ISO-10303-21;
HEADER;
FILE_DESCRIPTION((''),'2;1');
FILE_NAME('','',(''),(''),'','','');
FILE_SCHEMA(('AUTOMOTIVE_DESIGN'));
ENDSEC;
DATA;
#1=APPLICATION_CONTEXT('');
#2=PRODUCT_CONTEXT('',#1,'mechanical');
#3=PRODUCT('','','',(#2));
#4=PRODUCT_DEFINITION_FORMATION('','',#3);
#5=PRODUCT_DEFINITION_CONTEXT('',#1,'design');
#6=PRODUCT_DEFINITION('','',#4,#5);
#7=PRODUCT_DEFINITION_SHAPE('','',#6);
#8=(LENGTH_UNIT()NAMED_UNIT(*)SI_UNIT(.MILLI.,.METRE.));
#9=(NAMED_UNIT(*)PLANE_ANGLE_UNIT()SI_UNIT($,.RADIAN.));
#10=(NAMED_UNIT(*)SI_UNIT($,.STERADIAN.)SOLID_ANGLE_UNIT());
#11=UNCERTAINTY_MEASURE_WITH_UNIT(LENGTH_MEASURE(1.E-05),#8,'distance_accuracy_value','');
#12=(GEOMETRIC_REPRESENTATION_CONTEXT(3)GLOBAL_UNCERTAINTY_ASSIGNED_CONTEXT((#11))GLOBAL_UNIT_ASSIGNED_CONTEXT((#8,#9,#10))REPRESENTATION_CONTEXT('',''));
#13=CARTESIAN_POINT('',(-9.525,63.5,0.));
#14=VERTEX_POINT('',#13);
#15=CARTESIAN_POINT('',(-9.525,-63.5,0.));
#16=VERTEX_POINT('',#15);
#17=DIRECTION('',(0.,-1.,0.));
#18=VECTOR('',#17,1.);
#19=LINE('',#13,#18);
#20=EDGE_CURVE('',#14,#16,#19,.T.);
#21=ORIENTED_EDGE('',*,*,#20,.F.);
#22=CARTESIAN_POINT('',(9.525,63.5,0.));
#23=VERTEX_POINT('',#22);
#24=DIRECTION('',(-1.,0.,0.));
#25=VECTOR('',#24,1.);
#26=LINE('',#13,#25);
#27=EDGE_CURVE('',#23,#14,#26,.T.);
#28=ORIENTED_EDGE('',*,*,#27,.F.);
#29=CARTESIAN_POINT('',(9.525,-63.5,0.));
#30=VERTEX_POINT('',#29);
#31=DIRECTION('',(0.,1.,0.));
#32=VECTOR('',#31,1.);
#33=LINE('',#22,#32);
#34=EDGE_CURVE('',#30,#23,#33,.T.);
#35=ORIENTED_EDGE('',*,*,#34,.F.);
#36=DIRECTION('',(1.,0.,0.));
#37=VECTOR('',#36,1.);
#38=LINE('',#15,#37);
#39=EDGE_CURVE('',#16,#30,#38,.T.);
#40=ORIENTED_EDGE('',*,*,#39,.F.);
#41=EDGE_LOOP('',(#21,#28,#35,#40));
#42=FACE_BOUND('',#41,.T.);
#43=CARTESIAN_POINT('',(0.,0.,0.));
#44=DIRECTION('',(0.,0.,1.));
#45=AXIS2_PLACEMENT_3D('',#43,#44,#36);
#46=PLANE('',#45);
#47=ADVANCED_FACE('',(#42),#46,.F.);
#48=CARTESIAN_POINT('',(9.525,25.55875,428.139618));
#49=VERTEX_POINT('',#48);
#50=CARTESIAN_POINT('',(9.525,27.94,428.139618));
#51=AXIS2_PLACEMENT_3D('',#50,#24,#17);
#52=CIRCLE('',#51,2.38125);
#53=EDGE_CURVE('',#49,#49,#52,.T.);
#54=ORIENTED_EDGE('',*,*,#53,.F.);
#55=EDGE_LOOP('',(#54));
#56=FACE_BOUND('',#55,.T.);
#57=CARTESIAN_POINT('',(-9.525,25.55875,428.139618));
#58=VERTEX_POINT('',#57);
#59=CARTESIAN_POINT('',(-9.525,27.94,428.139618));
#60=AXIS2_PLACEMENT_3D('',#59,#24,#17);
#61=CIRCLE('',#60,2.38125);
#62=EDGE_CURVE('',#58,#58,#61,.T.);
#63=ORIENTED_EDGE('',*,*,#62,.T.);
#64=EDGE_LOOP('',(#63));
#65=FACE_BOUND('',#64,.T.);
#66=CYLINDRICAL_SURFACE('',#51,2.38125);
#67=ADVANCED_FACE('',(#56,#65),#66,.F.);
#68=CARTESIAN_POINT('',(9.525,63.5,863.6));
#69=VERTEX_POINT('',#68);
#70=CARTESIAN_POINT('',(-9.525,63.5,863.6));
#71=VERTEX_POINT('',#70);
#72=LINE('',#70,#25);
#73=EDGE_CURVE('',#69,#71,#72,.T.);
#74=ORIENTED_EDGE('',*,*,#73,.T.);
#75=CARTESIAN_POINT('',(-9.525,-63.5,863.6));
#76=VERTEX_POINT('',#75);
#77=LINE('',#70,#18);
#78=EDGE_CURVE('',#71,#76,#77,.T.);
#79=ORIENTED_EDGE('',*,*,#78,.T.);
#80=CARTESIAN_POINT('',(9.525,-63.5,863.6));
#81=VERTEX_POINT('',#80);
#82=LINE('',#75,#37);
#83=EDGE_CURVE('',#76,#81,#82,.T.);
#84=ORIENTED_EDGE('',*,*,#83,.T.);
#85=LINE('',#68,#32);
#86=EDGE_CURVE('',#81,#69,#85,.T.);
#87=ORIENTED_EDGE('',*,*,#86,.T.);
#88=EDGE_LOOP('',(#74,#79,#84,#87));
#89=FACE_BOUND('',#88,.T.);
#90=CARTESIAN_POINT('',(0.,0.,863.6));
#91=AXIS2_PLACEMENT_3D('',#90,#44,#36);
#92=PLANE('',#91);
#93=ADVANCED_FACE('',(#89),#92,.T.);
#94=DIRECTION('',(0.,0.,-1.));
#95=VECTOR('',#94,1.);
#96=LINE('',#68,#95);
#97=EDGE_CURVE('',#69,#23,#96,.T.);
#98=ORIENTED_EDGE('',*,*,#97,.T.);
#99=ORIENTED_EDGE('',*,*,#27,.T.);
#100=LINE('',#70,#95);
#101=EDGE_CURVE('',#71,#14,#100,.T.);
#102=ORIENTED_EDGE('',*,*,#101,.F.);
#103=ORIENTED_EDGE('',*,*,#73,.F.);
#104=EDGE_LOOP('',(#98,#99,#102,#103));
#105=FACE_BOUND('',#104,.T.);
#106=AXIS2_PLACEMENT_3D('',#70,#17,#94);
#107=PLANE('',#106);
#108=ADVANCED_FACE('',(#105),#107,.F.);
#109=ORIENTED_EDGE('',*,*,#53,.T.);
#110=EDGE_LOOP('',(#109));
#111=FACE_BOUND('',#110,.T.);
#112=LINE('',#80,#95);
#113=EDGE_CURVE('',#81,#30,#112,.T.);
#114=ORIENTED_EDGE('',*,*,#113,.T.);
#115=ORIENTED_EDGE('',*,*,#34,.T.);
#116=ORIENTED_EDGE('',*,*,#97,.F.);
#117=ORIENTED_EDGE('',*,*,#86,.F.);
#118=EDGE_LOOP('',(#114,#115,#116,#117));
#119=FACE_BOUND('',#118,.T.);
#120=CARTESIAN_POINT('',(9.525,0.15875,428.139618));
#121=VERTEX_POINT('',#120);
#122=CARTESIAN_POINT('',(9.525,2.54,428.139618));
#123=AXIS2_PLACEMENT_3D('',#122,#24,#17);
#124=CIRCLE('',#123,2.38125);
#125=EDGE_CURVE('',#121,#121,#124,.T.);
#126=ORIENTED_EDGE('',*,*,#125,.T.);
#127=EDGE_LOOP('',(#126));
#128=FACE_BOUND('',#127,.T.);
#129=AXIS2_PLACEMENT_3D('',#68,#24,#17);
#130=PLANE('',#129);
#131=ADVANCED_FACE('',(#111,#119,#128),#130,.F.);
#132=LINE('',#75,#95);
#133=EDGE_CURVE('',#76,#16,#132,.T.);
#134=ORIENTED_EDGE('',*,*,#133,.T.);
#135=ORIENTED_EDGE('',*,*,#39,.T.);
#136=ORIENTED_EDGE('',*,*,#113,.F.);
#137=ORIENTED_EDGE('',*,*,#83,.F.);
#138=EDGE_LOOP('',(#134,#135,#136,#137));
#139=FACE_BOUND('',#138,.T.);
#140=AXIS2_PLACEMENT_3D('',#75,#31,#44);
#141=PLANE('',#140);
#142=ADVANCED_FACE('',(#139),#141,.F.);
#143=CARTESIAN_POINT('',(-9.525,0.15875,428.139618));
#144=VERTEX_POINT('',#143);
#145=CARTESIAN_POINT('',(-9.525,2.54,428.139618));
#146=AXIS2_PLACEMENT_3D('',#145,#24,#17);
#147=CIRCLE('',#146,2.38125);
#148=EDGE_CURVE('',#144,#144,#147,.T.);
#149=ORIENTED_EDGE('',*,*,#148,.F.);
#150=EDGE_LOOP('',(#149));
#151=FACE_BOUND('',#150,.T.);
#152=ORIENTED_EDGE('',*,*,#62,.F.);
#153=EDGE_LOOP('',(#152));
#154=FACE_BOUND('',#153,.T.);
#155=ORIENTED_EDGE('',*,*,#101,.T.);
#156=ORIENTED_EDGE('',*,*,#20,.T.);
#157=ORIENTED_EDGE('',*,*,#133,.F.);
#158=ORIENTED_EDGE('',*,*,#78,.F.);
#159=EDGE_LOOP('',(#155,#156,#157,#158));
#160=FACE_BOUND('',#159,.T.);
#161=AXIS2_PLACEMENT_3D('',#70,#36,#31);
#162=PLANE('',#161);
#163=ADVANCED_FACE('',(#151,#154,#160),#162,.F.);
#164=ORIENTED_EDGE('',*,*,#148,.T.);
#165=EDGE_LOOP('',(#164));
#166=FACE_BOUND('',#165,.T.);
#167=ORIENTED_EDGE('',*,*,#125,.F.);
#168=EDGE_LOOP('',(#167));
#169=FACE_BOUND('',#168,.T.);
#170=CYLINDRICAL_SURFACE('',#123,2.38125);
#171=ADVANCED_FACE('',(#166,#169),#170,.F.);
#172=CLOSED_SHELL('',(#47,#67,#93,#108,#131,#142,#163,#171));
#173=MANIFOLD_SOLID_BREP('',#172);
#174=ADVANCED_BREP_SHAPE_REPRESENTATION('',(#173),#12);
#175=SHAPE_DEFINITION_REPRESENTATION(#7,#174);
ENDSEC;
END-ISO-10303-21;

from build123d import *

# Parameters (mm, degrees)
SKETCH1_W           = 19.05
SKETCH1_H           = 127
BOSS_EXTRUDE1_DEPTH = 863.6
SKETCH2_R           = 2.38125
CUT_EXTRUDE1_DEPTH  = 867.140931085


with BuildPart() as part:
    # Sketch1 → Boss-Extrude1 (new body)
    with BuildSketch(Plane.XY):
        Rectangle(SKETCH1_W, SKETCH1_H)
    extrude(amount=BOSS_EXTRUDE1_DEPTH)

    # Sketch2 → Cut-Extrude1 (cut, through all)
    with BuildSketch(Plane.ZY.offset(9.525)):
        with Locations(Location((428.139617684, 2.54, 0), (0, 0, 270))):
            Circle(SKETCH2_R)
        with Locations(Location((428.139617684, 27.94, 0), (0, 0, 270))):
            Circle(SKETCH2_R)
    extrude(amount=-CUT_EXTRUDE1_DEPTH, mode=Mode.SUBTRACT)


solid = part.part
